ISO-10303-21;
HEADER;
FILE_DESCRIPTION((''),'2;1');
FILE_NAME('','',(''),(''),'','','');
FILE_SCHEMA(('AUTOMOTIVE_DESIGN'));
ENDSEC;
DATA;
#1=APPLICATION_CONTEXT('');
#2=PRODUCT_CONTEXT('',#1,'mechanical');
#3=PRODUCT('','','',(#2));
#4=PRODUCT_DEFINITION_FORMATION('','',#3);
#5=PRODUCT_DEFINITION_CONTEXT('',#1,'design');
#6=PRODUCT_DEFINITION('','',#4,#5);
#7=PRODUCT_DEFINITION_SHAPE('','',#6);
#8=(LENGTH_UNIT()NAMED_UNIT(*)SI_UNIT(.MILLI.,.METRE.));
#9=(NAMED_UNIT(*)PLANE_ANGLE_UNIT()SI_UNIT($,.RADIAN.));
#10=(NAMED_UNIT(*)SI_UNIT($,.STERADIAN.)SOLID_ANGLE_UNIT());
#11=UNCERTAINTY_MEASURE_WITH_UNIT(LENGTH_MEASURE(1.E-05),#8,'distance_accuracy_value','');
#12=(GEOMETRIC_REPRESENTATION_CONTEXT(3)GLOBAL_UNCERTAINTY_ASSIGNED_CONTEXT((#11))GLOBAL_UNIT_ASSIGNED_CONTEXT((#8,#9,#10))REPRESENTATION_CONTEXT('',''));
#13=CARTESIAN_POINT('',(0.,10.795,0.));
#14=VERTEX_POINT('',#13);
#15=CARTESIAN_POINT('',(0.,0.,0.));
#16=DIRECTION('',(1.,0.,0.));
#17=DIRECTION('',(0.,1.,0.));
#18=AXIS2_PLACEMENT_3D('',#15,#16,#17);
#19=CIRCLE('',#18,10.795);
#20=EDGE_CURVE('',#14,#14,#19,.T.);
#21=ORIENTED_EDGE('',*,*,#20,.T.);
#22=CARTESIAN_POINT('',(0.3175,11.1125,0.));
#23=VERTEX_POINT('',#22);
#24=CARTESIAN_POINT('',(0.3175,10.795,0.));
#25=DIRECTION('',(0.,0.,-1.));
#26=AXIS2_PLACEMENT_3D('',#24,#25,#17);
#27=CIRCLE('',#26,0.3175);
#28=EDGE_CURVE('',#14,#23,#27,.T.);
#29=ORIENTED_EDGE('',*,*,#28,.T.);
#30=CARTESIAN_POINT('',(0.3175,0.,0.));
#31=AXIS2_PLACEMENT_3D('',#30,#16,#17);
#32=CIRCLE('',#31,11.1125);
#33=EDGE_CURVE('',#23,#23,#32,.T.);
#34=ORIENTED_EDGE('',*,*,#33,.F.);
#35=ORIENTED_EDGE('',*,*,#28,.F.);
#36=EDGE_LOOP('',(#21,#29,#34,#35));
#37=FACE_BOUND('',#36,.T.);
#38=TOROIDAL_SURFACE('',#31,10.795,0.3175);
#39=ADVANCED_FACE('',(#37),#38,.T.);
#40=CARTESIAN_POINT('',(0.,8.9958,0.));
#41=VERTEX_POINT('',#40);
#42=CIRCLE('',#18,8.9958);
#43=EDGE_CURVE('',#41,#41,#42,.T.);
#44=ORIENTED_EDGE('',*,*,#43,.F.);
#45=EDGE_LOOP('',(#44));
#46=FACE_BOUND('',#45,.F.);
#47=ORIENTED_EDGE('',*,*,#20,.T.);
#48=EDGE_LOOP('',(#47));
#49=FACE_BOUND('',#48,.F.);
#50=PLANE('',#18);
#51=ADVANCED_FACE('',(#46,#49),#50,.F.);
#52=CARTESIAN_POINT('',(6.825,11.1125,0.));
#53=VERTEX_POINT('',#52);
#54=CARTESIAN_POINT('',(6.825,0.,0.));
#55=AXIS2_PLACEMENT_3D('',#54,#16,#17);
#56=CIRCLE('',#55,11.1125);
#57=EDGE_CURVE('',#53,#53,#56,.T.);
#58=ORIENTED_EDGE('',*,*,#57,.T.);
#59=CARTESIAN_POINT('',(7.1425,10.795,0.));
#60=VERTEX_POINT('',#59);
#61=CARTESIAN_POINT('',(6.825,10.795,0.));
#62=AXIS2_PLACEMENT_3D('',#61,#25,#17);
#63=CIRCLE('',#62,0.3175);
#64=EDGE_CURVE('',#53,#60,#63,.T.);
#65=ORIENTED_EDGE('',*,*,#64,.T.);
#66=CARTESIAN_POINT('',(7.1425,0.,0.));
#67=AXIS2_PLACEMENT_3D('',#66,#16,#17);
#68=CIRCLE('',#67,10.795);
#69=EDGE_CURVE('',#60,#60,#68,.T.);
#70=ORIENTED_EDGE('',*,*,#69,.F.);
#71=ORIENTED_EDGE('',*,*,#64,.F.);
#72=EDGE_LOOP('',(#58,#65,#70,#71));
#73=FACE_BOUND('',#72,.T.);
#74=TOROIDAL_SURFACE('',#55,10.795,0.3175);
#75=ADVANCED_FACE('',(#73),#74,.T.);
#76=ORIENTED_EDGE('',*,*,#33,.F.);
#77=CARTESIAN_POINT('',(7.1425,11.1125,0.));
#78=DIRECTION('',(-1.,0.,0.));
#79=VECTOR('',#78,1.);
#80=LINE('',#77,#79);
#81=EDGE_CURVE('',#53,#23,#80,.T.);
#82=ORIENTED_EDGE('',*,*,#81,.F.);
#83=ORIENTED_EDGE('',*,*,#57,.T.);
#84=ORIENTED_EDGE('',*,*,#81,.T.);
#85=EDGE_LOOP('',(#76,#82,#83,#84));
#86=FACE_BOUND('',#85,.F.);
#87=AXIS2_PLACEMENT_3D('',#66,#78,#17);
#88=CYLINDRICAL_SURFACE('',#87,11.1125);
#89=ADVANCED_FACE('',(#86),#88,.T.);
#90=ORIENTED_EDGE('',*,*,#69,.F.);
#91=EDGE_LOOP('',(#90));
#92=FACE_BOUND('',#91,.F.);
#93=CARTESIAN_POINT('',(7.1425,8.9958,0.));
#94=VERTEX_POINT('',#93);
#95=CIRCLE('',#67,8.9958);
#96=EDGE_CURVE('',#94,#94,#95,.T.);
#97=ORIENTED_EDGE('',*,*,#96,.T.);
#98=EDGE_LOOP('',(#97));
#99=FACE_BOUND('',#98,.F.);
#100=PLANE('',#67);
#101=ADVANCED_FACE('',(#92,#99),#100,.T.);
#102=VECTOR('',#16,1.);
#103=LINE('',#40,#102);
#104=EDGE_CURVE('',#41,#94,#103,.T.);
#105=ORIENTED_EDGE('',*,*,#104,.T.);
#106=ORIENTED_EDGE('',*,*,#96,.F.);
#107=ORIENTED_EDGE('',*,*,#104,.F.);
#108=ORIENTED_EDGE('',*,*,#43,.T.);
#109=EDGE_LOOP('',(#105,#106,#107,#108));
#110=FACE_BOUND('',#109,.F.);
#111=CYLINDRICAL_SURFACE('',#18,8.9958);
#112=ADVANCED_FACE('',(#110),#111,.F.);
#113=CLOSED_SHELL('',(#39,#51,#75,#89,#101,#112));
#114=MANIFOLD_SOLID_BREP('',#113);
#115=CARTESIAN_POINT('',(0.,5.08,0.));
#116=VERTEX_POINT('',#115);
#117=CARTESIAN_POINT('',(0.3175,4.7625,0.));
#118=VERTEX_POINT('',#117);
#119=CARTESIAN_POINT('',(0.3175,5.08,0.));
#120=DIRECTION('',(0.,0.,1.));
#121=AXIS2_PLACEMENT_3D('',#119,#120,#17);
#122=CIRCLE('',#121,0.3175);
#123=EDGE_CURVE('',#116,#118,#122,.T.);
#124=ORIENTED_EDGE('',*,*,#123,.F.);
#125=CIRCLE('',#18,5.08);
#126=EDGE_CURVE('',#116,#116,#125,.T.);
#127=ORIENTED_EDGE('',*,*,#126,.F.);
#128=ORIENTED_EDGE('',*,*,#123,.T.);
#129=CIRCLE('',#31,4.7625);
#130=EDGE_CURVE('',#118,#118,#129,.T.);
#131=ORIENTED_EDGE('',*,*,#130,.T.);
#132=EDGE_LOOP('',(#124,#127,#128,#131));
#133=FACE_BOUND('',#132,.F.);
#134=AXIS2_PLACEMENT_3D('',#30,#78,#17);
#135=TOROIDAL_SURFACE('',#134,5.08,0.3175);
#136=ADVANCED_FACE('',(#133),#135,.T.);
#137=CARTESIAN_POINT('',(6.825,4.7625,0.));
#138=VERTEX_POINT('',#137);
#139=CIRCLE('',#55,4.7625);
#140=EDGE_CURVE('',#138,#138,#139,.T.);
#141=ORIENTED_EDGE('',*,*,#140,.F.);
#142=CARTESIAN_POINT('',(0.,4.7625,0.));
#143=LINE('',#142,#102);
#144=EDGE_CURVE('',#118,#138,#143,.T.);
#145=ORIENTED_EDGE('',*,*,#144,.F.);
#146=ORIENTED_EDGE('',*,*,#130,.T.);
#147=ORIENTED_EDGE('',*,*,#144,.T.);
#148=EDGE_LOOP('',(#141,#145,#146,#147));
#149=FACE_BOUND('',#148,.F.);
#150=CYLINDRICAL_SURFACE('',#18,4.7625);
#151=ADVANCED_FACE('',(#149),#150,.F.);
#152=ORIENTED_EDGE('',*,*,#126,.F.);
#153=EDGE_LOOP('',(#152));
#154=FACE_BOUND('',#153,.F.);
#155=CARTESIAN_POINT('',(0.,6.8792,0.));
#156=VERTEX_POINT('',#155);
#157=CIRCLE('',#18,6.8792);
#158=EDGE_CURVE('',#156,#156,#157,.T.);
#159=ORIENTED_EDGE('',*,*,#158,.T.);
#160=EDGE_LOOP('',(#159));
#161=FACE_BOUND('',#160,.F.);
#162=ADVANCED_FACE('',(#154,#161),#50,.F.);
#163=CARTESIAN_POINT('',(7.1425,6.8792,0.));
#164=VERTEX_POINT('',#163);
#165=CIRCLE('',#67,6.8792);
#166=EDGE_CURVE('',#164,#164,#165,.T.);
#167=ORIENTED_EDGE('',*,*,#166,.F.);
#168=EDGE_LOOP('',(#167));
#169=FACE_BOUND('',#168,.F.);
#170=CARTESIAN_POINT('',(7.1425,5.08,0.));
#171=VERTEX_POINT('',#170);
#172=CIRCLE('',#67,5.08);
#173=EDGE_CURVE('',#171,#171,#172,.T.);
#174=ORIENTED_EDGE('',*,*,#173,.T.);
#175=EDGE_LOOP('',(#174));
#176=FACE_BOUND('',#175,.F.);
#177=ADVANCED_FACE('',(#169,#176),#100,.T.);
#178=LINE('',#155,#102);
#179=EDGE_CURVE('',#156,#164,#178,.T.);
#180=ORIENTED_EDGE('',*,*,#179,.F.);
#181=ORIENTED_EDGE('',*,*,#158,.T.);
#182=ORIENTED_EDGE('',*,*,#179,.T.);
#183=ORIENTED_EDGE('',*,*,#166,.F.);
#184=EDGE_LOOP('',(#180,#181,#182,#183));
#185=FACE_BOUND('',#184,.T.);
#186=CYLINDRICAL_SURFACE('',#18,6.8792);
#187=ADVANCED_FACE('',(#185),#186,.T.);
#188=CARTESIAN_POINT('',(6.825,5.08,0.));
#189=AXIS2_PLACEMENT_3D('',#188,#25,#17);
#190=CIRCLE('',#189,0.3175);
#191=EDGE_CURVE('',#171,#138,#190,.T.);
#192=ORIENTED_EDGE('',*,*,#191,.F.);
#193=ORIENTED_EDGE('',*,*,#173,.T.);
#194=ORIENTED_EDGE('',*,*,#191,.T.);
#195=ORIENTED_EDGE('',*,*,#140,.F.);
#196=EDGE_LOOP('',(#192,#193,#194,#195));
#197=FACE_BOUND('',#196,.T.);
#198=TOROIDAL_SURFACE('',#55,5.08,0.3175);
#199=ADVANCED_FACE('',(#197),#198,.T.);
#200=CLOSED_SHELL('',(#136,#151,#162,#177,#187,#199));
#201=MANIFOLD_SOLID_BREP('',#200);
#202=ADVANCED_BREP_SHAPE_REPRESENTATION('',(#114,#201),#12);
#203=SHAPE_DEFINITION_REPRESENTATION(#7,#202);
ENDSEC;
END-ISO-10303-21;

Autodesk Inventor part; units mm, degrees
ref_plane "YZ Plane" through (0, 0, 0) normal (1, 0, 0) x (0, 1, 0)
ref_plane "XZ Plane" through (0, 0, 0) normal (0, 1, 0) x (-1, 0, 0)
ref_plane "XY Plane" through (0, 0, 0) normal (0, 0, 1) x (1, 0, 0)
sketch "Sketch" plane through (0, 0, 0) normal (0, 0, 1) x (1, 0, 0)
  line L0 (0, 0) -> (7.1425, 0)
  line L1 (0, 0) -> (0, 4.7625) construction
  line L2 (0, 4.7625) -> (7.1425, 4.7625)
  line L3 (7.1425, 4.7625) -> (7.1425, 11.1125)
  line L4 (7.1425, 11.1125) -> (0, 11.1125)
  line L5 (0, 11.1125) -> (0, 4.7625)
  line L6 (0, 7.9375) -> (7.1425, 7.9375)
  line L7 (0, 8.9958) -> (7.1425, 8.9958)
  line L8 (0, 6.8792) -> (7.1425, 6.8792)
  dimension "d0" = 7.1425
  dimension "d1" = 9.525
  dimension "d2" = 13.7583
  dimension "d3" = 22.225
revolve "Body" add sketch "Sketch" angle 360 about axis through (0, 0, 0) along (1, 0, 0) contours L5 L8 L3 L2 | L5 L4 L3 L7
fillet "Fillet1" radius 0.3175 4 edges at (0, -11.1125, 0) (7.1425, -11.1125, 0) (0, -4.7625, 0) (7.1425, -4.7625, 0)
equation "\"d5\" = -0.025 * WD + 0.025 * BD"
equation "\"d0\" = KB"
equation "\"d1\" = WD"
equation "\"d2\" = 0.333333 * BD + 0.666667 * WD"
equation "\"d3\" = BD"
equation "\"WD\" = 9.525"
equation "\"BD\" = 22.225"
equation "\"KB\" = 7.14248"
equation "\"BBA\" = 0"
equation "\"KRS\" = 0.4064"
equation "\"KR1S\" = 0.2032"
equation "\"BR\" = 0.5 * BD"
equation "\"WR\" = 0.5 * WD"
properties part number "ISO 1224 - 0.375 x  0.875 x  0.2812" material "Steel, Mild"
